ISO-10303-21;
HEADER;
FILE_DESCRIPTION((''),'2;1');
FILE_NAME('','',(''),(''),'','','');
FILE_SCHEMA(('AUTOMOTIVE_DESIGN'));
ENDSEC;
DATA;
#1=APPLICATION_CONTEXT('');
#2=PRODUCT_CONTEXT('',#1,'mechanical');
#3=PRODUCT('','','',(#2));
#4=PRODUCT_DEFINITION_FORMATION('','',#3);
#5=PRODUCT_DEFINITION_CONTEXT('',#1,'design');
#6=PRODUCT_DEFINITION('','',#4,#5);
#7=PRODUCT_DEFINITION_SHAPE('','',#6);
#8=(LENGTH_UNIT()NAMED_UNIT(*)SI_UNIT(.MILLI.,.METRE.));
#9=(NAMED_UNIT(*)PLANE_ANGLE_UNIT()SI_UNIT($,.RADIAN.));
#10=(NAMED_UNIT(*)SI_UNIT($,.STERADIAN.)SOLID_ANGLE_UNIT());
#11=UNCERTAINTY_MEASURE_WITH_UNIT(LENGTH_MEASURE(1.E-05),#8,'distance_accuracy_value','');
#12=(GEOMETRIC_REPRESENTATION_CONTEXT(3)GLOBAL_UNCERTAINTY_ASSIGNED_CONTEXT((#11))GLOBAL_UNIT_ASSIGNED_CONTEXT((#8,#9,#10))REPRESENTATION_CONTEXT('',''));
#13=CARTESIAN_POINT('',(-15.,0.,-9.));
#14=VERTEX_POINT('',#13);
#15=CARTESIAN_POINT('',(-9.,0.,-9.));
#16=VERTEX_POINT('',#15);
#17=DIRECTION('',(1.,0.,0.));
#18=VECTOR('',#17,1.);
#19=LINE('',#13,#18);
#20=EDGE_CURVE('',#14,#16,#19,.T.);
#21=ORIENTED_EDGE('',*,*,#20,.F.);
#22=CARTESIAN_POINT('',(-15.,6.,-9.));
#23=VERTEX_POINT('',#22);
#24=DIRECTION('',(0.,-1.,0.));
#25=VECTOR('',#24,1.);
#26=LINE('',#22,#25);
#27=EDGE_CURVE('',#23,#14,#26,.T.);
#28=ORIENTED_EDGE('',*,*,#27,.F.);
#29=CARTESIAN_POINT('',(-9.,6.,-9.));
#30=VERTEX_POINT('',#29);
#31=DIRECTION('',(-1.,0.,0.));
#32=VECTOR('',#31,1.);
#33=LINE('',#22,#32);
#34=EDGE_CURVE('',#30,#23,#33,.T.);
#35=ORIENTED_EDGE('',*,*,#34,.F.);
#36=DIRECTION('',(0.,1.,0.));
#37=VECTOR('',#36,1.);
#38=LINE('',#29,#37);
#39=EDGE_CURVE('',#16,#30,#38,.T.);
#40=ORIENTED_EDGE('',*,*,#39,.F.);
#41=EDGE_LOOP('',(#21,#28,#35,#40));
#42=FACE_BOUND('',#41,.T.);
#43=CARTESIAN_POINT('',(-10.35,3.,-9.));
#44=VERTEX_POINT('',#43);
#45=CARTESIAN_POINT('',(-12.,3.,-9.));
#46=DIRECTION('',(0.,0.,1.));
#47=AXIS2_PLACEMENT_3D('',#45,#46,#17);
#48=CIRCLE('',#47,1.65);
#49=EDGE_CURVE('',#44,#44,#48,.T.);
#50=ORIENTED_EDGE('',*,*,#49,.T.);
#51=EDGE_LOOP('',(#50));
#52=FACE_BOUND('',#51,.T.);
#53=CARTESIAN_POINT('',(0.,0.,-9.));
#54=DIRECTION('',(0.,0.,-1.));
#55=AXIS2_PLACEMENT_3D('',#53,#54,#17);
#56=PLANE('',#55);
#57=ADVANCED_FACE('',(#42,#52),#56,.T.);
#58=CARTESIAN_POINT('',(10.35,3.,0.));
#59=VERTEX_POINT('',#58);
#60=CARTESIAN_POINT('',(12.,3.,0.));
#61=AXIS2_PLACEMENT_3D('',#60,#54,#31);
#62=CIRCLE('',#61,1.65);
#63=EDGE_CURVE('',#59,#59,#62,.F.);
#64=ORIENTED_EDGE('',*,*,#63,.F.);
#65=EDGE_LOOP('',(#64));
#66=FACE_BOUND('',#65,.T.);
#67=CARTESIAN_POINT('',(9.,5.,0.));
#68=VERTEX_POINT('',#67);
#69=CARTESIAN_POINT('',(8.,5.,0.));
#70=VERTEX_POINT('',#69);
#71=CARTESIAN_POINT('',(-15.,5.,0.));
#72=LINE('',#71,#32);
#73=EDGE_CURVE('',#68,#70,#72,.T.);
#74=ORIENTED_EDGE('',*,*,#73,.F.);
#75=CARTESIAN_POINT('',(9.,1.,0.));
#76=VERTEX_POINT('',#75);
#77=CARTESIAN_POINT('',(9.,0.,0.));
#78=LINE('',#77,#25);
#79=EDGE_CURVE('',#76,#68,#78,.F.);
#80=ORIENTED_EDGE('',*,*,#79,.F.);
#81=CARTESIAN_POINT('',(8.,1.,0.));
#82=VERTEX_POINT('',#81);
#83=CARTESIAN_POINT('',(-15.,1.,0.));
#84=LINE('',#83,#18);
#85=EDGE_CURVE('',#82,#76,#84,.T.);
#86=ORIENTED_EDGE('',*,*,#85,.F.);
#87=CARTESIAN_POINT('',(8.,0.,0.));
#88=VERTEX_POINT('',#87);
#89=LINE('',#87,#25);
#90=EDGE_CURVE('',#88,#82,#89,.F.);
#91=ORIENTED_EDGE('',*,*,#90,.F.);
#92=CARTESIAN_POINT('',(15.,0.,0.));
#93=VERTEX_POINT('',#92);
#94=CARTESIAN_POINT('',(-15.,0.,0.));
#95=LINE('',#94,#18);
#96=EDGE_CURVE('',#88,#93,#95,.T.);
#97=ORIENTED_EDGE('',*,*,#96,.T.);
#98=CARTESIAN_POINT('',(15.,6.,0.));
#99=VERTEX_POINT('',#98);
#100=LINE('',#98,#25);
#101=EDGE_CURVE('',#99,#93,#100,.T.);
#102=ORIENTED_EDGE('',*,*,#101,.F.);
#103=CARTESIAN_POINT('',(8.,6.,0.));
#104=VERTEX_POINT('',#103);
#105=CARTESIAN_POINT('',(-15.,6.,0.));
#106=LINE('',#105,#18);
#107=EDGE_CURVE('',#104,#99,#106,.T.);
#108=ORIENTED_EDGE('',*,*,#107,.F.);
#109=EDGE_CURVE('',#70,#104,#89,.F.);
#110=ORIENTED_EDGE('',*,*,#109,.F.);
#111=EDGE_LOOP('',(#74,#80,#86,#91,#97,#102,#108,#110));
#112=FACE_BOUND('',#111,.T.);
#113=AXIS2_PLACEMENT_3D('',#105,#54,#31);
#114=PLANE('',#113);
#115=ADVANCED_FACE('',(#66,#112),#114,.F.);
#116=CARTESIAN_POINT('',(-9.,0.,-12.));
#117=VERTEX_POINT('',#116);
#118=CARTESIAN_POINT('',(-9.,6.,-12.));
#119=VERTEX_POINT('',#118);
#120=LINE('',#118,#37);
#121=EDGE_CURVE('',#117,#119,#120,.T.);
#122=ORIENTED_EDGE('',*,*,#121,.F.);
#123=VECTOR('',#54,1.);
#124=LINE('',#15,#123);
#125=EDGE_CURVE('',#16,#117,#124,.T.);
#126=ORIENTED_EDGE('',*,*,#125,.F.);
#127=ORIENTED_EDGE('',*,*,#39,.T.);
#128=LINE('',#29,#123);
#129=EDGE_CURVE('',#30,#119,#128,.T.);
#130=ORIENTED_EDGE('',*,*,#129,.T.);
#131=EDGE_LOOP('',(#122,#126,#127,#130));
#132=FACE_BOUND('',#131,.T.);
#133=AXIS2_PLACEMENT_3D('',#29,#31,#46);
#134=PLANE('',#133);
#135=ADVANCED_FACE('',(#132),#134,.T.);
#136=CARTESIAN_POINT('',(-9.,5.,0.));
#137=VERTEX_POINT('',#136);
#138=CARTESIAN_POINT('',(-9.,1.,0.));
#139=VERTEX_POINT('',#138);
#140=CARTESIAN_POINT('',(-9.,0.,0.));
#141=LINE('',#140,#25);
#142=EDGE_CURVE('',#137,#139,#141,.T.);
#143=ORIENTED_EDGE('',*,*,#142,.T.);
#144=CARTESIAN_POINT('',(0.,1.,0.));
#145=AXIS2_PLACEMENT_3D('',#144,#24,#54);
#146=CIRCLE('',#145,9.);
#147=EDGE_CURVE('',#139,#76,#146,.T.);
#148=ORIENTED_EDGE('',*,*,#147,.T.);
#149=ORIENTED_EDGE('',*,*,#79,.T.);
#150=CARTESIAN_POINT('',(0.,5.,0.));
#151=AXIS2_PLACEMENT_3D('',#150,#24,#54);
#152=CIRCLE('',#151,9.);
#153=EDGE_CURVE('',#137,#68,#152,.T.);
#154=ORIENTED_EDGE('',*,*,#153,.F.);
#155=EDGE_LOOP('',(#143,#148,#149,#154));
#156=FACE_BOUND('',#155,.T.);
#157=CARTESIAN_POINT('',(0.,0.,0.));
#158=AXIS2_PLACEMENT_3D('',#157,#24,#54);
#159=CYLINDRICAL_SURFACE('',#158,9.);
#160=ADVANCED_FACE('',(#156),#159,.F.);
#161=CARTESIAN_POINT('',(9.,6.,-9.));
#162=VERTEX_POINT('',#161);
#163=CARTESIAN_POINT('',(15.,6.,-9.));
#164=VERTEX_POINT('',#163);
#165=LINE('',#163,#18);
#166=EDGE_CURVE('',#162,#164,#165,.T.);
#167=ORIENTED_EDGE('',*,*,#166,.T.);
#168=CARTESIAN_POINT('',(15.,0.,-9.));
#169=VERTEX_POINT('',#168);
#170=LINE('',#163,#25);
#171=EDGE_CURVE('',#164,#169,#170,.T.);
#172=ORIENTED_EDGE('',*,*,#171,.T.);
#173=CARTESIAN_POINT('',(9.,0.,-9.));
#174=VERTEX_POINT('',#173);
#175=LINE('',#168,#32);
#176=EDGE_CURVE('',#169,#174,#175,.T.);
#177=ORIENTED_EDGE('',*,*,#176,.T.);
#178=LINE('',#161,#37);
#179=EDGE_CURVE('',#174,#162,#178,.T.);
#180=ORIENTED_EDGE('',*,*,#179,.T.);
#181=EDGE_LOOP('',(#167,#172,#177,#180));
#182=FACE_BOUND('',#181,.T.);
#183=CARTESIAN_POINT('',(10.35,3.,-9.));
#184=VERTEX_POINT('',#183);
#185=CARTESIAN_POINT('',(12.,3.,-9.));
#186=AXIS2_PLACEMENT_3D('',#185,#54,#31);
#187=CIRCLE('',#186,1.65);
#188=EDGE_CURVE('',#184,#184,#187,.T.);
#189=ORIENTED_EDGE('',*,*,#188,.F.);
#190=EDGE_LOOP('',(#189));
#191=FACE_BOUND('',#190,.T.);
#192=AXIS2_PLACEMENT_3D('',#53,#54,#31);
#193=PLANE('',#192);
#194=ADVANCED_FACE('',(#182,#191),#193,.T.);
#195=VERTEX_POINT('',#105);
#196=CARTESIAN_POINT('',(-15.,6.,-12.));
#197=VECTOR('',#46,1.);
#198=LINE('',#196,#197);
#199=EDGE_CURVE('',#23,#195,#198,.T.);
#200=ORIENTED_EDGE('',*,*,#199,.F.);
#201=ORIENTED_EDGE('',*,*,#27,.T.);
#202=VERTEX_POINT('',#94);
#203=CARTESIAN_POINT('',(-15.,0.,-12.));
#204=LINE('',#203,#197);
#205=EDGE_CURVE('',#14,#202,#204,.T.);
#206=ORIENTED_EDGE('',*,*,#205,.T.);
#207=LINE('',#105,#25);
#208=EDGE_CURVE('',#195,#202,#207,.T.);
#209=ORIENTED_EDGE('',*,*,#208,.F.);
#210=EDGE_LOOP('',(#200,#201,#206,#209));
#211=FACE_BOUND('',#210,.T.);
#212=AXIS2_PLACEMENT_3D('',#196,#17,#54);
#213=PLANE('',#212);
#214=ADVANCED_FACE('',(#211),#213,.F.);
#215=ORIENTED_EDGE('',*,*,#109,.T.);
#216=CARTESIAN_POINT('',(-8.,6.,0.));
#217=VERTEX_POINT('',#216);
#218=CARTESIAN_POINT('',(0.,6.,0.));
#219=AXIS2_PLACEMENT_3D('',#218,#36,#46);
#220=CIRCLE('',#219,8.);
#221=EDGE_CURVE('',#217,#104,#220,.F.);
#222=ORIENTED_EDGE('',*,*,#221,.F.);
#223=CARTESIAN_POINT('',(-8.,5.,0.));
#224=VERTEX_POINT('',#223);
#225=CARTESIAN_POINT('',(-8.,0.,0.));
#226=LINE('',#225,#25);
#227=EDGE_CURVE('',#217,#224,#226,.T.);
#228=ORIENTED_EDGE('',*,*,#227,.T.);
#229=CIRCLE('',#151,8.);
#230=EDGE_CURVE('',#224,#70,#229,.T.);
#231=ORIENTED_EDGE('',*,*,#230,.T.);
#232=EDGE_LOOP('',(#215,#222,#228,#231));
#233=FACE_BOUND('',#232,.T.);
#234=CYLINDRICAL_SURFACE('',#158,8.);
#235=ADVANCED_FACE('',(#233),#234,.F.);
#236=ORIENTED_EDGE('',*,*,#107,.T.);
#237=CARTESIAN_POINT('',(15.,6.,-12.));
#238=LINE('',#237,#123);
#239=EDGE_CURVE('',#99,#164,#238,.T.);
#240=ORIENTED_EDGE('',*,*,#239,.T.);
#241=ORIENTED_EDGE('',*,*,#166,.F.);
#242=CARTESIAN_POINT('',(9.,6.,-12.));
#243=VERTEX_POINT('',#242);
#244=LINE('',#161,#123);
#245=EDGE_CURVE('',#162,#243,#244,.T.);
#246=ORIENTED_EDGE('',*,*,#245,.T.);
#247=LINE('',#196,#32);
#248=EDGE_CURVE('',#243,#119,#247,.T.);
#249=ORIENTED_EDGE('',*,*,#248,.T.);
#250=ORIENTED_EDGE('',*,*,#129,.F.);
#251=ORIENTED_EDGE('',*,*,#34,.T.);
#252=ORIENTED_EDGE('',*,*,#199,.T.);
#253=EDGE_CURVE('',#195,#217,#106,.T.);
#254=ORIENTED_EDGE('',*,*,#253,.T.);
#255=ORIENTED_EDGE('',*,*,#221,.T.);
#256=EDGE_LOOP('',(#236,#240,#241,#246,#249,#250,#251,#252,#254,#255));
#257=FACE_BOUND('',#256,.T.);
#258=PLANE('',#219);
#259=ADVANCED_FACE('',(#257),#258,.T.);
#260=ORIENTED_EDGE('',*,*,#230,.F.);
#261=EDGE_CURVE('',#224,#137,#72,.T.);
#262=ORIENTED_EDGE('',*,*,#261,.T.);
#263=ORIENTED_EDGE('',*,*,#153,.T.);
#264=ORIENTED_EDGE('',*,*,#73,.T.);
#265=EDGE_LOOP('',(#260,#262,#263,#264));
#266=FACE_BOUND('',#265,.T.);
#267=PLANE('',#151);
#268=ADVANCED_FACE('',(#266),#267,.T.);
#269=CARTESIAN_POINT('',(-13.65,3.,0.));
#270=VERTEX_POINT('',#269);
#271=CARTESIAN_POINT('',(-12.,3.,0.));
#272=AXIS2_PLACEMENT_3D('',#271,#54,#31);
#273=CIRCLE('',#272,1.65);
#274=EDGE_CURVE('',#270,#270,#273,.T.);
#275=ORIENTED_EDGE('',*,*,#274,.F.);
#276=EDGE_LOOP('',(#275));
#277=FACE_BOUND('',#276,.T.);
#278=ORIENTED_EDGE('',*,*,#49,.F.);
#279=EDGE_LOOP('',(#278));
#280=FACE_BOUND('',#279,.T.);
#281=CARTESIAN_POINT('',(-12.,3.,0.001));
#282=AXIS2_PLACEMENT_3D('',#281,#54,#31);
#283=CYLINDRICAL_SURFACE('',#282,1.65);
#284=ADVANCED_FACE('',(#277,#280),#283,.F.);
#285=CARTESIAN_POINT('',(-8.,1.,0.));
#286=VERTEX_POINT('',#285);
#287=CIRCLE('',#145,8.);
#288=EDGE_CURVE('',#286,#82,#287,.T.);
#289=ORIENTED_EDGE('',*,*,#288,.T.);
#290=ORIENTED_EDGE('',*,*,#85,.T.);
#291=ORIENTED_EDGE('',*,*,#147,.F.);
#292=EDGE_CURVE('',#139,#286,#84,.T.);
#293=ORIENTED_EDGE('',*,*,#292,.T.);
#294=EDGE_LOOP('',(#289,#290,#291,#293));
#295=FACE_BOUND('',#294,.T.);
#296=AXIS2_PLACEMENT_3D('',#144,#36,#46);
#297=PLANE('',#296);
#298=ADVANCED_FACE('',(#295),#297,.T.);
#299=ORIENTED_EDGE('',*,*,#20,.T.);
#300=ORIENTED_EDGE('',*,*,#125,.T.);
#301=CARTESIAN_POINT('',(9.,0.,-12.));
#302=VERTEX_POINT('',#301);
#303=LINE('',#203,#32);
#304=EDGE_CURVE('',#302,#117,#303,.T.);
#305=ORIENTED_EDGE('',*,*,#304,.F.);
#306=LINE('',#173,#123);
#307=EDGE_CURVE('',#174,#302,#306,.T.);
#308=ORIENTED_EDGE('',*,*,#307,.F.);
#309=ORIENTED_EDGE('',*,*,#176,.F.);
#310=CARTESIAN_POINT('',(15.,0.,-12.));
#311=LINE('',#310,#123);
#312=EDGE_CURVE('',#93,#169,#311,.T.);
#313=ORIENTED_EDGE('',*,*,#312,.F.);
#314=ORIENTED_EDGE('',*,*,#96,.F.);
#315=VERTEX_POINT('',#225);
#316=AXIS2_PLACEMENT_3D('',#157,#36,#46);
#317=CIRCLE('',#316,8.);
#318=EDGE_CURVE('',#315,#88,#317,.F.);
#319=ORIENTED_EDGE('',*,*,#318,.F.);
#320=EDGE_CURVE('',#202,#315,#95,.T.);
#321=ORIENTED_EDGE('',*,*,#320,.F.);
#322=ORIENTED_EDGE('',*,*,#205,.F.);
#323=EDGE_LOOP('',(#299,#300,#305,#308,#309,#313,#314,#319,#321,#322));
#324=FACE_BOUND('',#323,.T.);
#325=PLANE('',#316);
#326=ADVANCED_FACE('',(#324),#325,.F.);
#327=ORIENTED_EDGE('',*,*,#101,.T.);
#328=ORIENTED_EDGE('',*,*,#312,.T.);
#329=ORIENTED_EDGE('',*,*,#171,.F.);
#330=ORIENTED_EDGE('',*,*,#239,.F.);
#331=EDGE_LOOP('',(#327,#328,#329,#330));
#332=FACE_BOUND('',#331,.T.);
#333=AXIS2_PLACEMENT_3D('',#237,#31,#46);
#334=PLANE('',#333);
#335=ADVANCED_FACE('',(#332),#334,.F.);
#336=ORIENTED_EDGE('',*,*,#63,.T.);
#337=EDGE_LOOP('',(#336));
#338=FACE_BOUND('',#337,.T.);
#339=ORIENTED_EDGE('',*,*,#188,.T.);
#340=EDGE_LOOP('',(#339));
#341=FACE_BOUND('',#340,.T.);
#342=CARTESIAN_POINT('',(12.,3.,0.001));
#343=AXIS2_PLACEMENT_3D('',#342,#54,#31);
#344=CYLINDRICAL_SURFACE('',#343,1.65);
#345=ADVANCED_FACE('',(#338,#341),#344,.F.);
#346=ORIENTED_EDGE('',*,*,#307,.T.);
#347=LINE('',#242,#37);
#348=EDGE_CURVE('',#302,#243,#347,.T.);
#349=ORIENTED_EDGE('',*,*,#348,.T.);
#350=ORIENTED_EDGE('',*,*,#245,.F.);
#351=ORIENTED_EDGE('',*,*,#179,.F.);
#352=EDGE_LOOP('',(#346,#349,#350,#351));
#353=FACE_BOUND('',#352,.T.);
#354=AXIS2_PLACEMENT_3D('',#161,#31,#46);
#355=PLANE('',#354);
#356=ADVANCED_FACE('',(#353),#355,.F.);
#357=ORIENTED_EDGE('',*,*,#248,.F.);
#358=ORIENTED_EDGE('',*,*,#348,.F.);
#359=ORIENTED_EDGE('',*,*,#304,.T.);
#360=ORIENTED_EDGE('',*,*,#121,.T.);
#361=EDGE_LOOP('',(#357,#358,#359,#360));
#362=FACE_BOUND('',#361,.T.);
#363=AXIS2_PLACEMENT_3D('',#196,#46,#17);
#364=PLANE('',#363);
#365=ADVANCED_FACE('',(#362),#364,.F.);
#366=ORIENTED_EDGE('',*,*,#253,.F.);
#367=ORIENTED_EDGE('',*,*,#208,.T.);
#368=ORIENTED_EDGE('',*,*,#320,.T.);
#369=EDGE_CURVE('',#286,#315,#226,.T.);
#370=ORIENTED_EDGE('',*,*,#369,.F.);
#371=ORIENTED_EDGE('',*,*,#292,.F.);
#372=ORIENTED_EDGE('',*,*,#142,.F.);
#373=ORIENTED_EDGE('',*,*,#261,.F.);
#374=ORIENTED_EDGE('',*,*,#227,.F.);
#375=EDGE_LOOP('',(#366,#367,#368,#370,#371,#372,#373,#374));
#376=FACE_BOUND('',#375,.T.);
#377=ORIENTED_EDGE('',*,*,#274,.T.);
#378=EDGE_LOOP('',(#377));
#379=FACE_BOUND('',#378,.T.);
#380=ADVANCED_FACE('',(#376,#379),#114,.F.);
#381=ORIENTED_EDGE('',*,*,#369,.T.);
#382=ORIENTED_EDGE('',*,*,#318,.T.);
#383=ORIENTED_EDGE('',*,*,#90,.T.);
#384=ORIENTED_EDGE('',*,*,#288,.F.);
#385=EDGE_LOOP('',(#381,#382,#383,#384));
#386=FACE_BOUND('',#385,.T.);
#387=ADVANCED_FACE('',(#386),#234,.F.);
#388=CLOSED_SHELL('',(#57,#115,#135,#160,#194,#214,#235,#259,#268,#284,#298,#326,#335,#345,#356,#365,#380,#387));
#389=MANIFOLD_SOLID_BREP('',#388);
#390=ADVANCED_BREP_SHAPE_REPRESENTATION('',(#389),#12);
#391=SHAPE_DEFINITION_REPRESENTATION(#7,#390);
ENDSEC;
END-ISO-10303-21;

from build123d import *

# Parameters (mm, degrees)
SKETCH_1_W          = 30
SKETCH_1_H          = 12
EXTRUDE_1_DEPTH     = 6
SKETCH_3_W          = 6
SKETCH_3_H          = 6
CUT_EXTRUDE_1_DEPTH = 3
CUT_EXTRUDE_2_REACH = 20.493
SKETCH_4_R          = 1.65


with BuildPart() as part:
    # 草图1 → 凸台-拉伸1 (new body)
    with BuildSketch(Plane(origin=(0, 0, 0), x_dir=(1, 0, 0), z_dir=(0, 1, 0))):
        with Locations((0, 6)):
            Rectangle(SKETCH_1_W, SKETCH_1_H)
    extrude(amount=EXTRUDE_1_DEPTH)

    # 草图2 → 切除-旋转1 (revolve, cut)
    with BuildSketch(Plane.XY):
        Polygon((-8, 0), (0, 0), (0, 3), (-9, 3), (-9, 1), (-8, 1), align=None)
        Polygon((-9, 3), (0, 3), (0, 6), (-8, 6), (-8, 5), (-9, 5), align=None)
    revolve(axis=Axis((0, 0, 0), (0, 1, 0)), mode=Mode.SUBTRACT)

    # 草图3 → 切除-拉伸1 (cut)
    with BuildSketch(Plane(origin=(0, 0, -12), x_dir=(-1, 0, 0), z_dir=(0, 0, -1))):
        with Locations((-12, 3)):
            Rectangle(SKETCH_3_W, SKETCH_3_H)
    cut_extrude_1 = extrude(amount=-CUT_EXTRUDE_1_DEPTH, mode=Mode.SUBTRACT)

    # 草图4 → 切除-拉伸2 (cut, up to next)
    with BuildSketch(Plane(origin=(0, 0, -9), x_dir=(-1, 0, 0), z_dir=(0, 0, -1)), mode=Mode.PRIVATE) as cut_extrude_2_sk1:
        with Locations((-12, 3)):
            Circle(SKETCH_4_R)
    cut_extrude_2_tool1 = extrude(cut_extrude_2_sk1.sketch, amount=-CUT_EXTRUDE_2_REACH, mode=Mode.PRIVATE) & part.part
    cut_extrude_2 = cut_extrude_2_tool1.solids().sort_by_distance((12, 3, -9))[0]
    add(cut_extrude_2, mode=Mode.SUBTRACT)

    # 镜向1: 切除-拉伸1, 切除-拉伸2 across plane
    add(cut_extrude_1.mirror(Plane(origin=(0, 0, 0), x_dir=(0, 0, 1), z_dir=(1, 0, 0))), mode=Mode.SUBTRACT)
    add(cut_extrude_2.mirror(Plane(origin=(0, 0, 0), x_dir=(0, 0, 1), z_dir=(1, 0, 0))), mode=Mode.SUBTRACT)


solid = part.part
